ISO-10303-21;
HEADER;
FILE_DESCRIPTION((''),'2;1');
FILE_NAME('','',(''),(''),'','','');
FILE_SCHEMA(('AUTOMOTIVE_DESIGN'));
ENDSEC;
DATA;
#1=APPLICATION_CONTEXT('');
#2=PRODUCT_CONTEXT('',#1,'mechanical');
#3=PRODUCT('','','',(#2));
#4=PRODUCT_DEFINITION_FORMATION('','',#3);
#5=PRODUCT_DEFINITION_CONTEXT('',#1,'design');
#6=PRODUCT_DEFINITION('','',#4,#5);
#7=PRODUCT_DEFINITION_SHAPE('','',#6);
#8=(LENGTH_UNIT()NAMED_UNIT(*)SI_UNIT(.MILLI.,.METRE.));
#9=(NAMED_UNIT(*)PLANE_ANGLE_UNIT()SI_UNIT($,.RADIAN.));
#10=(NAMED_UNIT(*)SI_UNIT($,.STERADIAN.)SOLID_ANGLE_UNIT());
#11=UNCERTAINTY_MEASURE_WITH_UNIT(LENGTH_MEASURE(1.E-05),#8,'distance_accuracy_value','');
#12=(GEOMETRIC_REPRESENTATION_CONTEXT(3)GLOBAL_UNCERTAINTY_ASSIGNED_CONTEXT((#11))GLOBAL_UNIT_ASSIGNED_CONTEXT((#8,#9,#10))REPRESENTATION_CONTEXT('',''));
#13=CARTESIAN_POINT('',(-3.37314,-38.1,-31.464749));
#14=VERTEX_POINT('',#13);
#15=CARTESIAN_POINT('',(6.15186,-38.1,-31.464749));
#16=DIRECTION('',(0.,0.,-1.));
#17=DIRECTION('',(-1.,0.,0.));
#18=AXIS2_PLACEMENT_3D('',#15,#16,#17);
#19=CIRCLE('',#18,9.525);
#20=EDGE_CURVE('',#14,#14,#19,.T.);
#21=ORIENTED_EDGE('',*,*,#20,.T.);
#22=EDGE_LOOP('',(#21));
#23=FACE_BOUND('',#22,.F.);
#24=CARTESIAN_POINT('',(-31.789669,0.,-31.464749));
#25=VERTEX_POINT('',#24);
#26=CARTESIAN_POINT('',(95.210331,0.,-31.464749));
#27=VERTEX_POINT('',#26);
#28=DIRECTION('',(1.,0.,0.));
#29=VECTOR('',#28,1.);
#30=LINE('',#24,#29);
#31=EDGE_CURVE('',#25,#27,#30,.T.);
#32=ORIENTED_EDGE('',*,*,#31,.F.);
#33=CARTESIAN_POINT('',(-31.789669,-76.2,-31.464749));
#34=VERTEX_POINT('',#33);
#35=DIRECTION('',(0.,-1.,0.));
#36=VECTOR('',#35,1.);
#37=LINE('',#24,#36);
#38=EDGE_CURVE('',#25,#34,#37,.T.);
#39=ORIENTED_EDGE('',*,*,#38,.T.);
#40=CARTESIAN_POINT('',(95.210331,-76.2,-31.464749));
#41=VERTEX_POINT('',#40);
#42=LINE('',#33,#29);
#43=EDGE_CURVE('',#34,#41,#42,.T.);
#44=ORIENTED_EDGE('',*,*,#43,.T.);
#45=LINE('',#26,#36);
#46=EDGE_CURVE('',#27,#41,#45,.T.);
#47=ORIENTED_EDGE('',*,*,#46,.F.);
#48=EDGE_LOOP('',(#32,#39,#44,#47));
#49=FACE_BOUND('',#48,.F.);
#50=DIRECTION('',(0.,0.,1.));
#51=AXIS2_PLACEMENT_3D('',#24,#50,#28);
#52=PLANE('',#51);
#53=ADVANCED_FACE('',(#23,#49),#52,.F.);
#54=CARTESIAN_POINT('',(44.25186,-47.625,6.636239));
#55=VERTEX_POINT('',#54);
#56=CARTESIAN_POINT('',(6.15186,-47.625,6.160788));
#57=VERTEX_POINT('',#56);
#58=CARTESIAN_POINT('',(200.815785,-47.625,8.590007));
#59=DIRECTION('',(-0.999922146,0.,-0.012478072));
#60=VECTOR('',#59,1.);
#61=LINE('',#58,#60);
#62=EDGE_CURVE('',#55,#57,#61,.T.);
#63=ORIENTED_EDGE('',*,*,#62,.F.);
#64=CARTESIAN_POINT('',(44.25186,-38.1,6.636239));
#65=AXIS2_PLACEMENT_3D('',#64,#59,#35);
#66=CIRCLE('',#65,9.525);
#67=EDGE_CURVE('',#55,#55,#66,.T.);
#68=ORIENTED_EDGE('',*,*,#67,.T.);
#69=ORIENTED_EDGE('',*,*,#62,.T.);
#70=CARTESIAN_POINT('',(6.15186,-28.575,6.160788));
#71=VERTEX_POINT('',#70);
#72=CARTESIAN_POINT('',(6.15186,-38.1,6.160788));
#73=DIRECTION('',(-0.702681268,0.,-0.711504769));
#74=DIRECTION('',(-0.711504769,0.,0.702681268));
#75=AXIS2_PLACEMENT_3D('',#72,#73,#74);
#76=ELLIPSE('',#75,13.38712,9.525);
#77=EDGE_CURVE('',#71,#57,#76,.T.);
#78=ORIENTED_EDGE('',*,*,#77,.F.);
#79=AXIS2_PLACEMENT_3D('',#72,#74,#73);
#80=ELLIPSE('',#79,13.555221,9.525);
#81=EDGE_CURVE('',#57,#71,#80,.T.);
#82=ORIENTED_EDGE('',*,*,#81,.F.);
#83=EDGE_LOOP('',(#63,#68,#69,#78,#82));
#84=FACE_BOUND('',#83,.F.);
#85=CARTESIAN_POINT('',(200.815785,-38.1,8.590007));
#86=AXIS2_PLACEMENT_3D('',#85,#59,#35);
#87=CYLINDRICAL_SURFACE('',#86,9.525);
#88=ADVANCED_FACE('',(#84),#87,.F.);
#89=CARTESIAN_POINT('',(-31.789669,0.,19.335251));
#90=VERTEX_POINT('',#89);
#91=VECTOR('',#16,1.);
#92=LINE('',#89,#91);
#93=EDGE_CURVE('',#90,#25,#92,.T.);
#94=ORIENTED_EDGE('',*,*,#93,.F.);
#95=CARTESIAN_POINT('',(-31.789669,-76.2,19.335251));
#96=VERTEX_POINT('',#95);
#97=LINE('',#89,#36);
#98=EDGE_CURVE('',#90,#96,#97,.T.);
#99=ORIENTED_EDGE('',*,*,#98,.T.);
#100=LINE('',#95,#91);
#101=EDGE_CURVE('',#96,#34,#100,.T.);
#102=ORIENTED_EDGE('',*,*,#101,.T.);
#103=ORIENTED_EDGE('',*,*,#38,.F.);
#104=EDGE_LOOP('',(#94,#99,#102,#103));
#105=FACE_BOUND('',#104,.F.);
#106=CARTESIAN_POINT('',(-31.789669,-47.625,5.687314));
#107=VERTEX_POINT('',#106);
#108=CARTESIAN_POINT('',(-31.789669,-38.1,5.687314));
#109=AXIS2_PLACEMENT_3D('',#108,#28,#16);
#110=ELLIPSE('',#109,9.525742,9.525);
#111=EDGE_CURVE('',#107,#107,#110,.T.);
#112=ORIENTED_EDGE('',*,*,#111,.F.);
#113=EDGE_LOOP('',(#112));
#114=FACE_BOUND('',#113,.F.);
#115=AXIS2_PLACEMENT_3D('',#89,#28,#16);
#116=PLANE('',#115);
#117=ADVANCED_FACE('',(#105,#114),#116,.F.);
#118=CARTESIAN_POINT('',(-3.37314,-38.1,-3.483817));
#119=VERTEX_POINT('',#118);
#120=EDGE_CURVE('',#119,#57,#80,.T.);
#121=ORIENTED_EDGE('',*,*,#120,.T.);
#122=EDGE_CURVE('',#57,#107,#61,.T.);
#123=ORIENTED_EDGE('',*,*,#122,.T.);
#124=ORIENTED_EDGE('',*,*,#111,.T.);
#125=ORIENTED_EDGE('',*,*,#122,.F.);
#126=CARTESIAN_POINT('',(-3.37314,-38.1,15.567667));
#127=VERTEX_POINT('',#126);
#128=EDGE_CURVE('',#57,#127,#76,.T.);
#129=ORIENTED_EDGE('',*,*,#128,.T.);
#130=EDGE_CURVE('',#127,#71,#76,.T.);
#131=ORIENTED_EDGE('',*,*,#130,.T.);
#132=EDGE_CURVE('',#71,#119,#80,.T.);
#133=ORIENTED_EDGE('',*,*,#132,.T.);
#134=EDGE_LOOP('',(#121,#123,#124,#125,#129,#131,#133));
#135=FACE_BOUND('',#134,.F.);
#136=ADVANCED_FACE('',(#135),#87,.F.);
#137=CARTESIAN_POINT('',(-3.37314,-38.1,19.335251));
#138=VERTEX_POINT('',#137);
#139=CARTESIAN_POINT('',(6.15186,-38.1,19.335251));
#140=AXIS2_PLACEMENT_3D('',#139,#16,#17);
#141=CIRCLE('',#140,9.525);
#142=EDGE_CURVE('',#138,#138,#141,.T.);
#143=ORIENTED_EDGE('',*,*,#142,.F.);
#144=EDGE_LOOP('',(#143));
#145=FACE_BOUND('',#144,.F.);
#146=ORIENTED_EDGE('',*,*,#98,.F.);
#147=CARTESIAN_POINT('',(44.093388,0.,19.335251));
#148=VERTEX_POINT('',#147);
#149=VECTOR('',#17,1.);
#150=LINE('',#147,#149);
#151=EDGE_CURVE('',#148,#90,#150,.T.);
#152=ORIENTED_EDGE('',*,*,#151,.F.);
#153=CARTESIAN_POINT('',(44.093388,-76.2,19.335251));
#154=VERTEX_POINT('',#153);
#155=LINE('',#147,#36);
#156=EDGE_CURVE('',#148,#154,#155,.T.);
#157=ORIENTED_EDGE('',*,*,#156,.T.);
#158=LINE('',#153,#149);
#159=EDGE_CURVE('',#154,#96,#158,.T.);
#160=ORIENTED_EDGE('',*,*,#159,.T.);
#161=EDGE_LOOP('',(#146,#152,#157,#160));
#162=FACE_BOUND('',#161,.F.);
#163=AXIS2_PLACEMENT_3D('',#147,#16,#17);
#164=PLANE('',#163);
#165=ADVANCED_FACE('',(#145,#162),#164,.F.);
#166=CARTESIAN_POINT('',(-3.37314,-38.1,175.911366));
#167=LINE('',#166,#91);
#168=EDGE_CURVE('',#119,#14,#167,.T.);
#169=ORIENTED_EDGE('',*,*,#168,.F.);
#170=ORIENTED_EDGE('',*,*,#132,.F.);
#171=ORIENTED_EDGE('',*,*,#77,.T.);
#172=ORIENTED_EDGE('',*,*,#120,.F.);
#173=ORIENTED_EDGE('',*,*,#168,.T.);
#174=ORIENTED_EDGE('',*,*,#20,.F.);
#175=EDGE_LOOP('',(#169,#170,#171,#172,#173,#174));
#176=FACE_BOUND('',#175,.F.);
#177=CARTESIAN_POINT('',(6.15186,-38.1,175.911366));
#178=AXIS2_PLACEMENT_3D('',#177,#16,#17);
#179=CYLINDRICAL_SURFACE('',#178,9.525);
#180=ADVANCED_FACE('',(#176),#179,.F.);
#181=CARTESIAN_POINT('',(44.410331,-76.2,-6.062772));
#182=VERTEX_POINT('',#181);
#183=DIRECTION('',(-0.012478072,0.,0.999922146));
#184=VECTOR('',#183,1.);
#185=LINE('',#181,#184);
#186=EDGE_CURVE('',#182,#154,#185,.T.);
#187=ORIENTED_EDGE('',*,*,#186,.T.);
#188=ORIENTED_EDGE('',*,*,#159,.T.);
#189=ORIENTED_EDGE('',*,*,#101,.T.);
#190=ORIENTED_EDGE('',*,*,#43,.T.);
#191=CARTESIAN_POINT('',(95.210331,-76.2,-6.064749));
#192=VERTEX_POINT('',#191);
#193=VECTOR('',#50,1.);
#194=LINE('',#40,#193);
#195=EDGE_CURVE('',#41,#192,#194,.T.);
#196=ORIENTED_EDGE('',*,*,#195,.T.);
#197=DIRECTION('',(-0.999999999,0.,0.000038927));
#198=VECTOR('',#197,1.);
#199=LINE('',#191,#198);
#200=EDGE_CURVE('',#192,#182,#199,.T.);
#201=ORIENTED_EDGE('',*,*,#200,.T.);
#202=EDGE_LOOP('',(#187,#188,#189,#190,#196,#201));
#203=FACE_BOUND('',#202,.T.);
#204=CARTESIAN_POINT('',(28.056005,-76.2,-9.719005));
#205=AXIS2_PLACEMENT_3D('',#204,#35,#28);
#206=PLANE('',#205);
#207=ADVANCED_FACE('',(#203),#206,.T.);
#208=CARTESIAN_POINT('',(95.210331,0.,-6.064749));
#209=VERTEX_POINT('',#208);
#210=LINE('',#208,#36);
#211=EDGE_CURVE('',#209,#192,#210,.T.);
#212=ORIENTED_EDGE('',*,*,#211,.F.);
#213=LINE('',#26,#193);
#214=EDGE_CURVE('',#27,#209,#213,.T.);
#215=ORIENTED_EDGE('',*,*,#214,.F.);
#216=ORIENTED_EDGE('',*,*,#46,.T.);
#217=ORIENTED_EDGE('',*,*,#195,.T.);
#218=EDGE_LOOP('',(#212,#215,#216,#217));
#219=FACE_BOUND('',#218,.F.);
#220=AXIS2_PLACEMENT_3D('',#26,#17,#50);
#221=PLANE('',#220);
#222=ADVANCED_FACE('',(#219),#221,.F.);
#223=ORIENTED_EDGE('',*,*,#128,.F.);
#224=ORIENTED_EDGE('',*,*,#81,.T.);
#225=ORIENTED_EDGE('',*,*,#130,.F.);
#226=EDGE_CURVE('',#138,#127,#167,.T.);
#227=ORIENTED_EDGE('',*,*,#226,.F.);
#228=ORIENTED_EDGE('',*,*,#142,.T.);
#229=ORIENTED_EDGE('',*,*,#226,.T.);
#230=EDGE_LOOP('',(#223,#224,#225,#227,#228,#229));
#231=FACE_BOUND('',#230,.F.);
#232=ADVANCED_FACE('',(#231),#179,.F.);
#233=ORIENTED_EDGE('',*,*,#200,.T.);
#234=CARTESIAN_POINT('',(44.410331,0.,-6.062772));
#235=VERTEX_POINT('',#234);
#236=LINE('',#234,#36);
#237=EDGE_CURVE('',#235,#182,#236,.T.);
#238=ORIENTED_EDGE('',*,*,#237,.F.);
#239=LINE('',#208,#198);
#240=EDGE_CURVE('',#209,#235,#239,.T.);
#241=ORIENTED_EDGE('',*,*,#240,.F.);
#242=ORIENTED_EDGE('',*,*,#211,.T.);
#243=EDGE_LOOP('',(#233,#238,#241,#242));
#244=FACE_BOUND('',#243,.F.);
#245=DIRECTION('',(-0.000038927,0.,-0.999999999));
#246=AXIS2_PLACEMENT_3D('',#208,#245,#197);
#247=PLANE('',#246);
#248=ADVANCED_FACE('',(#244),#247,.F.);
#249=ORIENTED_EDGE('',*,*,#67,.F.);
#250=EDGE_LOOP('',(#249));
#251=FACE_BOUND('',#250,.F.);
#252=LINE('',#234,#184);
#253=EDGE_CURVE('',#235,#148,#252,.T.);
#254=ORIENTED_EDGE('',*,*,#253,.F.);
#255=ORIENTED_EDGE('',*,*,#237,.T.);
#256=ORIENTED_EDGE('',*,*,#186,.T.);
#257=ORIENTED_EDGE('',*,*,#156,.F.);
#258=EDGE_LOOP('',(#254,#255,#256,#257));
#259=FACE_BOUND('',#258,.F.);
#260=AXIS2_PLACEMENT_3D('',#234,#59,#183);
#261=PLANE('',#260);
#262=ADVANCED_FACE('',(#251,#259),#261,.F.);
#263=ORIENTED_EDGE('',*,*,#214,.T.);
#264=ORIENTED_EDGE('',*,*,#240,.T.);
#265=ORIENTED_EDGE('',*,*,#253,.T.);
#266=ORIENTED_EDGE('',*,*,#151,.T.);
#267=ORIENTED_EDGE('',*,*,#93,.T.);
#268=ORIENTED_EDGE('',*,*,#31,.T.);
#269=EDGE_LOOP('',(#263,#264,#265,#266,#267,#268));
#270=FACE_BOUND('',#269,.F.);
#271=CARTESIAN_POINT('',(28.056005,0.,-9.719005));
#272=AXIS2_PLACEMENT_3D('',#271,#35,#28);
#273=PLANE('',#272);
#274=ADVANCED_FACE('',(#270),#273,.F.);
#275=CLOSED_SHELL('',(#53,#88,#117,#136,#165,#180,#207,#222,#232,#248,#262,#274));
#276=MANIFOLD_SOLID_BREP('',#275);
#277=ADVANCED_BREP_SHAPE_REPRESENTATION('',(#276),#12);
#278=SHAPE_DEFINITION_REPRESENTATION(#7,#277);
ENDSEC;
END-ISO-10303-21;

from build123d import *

# Parameters (mm, degrees)
F1_DEPTH = 76.2
F3_D     = 19.05
F5_D     = 19.05


with BuildPart() as f1:
    # F0 (on Front) → F1 (new body)
    with BuildSketch(Plane.XZ):
        Polygon((-31.7896687029, 19.3352506772), (-31.7896687029, -31.4647493228), (95.2103312971, -31.4647493228), (95.2103312971, -6.0647493228), (44.4103313356, -6.062771827), (44.0933883163, 19.3352506772), align=None)
    extrude(amount=F1_DEPTH)

    # F3 (through all)
    with Locations(Plane(origin=(44.3277707348, 0, 0.5531681646), x_dir=(0, 1, 0), z_dir=(0.9999221458, 0, 0.0124780716))):
        with Locations((-38.1, 6.0835448898)):
            Hole(F3_D / 2)

    # F5 (through all)
    with Locations(Plane.XY.offset(19.3352506772)):
        with Locations((6.1518598067, -38.1)):
            Hole(F5_D / 2)


solid = f1.part
